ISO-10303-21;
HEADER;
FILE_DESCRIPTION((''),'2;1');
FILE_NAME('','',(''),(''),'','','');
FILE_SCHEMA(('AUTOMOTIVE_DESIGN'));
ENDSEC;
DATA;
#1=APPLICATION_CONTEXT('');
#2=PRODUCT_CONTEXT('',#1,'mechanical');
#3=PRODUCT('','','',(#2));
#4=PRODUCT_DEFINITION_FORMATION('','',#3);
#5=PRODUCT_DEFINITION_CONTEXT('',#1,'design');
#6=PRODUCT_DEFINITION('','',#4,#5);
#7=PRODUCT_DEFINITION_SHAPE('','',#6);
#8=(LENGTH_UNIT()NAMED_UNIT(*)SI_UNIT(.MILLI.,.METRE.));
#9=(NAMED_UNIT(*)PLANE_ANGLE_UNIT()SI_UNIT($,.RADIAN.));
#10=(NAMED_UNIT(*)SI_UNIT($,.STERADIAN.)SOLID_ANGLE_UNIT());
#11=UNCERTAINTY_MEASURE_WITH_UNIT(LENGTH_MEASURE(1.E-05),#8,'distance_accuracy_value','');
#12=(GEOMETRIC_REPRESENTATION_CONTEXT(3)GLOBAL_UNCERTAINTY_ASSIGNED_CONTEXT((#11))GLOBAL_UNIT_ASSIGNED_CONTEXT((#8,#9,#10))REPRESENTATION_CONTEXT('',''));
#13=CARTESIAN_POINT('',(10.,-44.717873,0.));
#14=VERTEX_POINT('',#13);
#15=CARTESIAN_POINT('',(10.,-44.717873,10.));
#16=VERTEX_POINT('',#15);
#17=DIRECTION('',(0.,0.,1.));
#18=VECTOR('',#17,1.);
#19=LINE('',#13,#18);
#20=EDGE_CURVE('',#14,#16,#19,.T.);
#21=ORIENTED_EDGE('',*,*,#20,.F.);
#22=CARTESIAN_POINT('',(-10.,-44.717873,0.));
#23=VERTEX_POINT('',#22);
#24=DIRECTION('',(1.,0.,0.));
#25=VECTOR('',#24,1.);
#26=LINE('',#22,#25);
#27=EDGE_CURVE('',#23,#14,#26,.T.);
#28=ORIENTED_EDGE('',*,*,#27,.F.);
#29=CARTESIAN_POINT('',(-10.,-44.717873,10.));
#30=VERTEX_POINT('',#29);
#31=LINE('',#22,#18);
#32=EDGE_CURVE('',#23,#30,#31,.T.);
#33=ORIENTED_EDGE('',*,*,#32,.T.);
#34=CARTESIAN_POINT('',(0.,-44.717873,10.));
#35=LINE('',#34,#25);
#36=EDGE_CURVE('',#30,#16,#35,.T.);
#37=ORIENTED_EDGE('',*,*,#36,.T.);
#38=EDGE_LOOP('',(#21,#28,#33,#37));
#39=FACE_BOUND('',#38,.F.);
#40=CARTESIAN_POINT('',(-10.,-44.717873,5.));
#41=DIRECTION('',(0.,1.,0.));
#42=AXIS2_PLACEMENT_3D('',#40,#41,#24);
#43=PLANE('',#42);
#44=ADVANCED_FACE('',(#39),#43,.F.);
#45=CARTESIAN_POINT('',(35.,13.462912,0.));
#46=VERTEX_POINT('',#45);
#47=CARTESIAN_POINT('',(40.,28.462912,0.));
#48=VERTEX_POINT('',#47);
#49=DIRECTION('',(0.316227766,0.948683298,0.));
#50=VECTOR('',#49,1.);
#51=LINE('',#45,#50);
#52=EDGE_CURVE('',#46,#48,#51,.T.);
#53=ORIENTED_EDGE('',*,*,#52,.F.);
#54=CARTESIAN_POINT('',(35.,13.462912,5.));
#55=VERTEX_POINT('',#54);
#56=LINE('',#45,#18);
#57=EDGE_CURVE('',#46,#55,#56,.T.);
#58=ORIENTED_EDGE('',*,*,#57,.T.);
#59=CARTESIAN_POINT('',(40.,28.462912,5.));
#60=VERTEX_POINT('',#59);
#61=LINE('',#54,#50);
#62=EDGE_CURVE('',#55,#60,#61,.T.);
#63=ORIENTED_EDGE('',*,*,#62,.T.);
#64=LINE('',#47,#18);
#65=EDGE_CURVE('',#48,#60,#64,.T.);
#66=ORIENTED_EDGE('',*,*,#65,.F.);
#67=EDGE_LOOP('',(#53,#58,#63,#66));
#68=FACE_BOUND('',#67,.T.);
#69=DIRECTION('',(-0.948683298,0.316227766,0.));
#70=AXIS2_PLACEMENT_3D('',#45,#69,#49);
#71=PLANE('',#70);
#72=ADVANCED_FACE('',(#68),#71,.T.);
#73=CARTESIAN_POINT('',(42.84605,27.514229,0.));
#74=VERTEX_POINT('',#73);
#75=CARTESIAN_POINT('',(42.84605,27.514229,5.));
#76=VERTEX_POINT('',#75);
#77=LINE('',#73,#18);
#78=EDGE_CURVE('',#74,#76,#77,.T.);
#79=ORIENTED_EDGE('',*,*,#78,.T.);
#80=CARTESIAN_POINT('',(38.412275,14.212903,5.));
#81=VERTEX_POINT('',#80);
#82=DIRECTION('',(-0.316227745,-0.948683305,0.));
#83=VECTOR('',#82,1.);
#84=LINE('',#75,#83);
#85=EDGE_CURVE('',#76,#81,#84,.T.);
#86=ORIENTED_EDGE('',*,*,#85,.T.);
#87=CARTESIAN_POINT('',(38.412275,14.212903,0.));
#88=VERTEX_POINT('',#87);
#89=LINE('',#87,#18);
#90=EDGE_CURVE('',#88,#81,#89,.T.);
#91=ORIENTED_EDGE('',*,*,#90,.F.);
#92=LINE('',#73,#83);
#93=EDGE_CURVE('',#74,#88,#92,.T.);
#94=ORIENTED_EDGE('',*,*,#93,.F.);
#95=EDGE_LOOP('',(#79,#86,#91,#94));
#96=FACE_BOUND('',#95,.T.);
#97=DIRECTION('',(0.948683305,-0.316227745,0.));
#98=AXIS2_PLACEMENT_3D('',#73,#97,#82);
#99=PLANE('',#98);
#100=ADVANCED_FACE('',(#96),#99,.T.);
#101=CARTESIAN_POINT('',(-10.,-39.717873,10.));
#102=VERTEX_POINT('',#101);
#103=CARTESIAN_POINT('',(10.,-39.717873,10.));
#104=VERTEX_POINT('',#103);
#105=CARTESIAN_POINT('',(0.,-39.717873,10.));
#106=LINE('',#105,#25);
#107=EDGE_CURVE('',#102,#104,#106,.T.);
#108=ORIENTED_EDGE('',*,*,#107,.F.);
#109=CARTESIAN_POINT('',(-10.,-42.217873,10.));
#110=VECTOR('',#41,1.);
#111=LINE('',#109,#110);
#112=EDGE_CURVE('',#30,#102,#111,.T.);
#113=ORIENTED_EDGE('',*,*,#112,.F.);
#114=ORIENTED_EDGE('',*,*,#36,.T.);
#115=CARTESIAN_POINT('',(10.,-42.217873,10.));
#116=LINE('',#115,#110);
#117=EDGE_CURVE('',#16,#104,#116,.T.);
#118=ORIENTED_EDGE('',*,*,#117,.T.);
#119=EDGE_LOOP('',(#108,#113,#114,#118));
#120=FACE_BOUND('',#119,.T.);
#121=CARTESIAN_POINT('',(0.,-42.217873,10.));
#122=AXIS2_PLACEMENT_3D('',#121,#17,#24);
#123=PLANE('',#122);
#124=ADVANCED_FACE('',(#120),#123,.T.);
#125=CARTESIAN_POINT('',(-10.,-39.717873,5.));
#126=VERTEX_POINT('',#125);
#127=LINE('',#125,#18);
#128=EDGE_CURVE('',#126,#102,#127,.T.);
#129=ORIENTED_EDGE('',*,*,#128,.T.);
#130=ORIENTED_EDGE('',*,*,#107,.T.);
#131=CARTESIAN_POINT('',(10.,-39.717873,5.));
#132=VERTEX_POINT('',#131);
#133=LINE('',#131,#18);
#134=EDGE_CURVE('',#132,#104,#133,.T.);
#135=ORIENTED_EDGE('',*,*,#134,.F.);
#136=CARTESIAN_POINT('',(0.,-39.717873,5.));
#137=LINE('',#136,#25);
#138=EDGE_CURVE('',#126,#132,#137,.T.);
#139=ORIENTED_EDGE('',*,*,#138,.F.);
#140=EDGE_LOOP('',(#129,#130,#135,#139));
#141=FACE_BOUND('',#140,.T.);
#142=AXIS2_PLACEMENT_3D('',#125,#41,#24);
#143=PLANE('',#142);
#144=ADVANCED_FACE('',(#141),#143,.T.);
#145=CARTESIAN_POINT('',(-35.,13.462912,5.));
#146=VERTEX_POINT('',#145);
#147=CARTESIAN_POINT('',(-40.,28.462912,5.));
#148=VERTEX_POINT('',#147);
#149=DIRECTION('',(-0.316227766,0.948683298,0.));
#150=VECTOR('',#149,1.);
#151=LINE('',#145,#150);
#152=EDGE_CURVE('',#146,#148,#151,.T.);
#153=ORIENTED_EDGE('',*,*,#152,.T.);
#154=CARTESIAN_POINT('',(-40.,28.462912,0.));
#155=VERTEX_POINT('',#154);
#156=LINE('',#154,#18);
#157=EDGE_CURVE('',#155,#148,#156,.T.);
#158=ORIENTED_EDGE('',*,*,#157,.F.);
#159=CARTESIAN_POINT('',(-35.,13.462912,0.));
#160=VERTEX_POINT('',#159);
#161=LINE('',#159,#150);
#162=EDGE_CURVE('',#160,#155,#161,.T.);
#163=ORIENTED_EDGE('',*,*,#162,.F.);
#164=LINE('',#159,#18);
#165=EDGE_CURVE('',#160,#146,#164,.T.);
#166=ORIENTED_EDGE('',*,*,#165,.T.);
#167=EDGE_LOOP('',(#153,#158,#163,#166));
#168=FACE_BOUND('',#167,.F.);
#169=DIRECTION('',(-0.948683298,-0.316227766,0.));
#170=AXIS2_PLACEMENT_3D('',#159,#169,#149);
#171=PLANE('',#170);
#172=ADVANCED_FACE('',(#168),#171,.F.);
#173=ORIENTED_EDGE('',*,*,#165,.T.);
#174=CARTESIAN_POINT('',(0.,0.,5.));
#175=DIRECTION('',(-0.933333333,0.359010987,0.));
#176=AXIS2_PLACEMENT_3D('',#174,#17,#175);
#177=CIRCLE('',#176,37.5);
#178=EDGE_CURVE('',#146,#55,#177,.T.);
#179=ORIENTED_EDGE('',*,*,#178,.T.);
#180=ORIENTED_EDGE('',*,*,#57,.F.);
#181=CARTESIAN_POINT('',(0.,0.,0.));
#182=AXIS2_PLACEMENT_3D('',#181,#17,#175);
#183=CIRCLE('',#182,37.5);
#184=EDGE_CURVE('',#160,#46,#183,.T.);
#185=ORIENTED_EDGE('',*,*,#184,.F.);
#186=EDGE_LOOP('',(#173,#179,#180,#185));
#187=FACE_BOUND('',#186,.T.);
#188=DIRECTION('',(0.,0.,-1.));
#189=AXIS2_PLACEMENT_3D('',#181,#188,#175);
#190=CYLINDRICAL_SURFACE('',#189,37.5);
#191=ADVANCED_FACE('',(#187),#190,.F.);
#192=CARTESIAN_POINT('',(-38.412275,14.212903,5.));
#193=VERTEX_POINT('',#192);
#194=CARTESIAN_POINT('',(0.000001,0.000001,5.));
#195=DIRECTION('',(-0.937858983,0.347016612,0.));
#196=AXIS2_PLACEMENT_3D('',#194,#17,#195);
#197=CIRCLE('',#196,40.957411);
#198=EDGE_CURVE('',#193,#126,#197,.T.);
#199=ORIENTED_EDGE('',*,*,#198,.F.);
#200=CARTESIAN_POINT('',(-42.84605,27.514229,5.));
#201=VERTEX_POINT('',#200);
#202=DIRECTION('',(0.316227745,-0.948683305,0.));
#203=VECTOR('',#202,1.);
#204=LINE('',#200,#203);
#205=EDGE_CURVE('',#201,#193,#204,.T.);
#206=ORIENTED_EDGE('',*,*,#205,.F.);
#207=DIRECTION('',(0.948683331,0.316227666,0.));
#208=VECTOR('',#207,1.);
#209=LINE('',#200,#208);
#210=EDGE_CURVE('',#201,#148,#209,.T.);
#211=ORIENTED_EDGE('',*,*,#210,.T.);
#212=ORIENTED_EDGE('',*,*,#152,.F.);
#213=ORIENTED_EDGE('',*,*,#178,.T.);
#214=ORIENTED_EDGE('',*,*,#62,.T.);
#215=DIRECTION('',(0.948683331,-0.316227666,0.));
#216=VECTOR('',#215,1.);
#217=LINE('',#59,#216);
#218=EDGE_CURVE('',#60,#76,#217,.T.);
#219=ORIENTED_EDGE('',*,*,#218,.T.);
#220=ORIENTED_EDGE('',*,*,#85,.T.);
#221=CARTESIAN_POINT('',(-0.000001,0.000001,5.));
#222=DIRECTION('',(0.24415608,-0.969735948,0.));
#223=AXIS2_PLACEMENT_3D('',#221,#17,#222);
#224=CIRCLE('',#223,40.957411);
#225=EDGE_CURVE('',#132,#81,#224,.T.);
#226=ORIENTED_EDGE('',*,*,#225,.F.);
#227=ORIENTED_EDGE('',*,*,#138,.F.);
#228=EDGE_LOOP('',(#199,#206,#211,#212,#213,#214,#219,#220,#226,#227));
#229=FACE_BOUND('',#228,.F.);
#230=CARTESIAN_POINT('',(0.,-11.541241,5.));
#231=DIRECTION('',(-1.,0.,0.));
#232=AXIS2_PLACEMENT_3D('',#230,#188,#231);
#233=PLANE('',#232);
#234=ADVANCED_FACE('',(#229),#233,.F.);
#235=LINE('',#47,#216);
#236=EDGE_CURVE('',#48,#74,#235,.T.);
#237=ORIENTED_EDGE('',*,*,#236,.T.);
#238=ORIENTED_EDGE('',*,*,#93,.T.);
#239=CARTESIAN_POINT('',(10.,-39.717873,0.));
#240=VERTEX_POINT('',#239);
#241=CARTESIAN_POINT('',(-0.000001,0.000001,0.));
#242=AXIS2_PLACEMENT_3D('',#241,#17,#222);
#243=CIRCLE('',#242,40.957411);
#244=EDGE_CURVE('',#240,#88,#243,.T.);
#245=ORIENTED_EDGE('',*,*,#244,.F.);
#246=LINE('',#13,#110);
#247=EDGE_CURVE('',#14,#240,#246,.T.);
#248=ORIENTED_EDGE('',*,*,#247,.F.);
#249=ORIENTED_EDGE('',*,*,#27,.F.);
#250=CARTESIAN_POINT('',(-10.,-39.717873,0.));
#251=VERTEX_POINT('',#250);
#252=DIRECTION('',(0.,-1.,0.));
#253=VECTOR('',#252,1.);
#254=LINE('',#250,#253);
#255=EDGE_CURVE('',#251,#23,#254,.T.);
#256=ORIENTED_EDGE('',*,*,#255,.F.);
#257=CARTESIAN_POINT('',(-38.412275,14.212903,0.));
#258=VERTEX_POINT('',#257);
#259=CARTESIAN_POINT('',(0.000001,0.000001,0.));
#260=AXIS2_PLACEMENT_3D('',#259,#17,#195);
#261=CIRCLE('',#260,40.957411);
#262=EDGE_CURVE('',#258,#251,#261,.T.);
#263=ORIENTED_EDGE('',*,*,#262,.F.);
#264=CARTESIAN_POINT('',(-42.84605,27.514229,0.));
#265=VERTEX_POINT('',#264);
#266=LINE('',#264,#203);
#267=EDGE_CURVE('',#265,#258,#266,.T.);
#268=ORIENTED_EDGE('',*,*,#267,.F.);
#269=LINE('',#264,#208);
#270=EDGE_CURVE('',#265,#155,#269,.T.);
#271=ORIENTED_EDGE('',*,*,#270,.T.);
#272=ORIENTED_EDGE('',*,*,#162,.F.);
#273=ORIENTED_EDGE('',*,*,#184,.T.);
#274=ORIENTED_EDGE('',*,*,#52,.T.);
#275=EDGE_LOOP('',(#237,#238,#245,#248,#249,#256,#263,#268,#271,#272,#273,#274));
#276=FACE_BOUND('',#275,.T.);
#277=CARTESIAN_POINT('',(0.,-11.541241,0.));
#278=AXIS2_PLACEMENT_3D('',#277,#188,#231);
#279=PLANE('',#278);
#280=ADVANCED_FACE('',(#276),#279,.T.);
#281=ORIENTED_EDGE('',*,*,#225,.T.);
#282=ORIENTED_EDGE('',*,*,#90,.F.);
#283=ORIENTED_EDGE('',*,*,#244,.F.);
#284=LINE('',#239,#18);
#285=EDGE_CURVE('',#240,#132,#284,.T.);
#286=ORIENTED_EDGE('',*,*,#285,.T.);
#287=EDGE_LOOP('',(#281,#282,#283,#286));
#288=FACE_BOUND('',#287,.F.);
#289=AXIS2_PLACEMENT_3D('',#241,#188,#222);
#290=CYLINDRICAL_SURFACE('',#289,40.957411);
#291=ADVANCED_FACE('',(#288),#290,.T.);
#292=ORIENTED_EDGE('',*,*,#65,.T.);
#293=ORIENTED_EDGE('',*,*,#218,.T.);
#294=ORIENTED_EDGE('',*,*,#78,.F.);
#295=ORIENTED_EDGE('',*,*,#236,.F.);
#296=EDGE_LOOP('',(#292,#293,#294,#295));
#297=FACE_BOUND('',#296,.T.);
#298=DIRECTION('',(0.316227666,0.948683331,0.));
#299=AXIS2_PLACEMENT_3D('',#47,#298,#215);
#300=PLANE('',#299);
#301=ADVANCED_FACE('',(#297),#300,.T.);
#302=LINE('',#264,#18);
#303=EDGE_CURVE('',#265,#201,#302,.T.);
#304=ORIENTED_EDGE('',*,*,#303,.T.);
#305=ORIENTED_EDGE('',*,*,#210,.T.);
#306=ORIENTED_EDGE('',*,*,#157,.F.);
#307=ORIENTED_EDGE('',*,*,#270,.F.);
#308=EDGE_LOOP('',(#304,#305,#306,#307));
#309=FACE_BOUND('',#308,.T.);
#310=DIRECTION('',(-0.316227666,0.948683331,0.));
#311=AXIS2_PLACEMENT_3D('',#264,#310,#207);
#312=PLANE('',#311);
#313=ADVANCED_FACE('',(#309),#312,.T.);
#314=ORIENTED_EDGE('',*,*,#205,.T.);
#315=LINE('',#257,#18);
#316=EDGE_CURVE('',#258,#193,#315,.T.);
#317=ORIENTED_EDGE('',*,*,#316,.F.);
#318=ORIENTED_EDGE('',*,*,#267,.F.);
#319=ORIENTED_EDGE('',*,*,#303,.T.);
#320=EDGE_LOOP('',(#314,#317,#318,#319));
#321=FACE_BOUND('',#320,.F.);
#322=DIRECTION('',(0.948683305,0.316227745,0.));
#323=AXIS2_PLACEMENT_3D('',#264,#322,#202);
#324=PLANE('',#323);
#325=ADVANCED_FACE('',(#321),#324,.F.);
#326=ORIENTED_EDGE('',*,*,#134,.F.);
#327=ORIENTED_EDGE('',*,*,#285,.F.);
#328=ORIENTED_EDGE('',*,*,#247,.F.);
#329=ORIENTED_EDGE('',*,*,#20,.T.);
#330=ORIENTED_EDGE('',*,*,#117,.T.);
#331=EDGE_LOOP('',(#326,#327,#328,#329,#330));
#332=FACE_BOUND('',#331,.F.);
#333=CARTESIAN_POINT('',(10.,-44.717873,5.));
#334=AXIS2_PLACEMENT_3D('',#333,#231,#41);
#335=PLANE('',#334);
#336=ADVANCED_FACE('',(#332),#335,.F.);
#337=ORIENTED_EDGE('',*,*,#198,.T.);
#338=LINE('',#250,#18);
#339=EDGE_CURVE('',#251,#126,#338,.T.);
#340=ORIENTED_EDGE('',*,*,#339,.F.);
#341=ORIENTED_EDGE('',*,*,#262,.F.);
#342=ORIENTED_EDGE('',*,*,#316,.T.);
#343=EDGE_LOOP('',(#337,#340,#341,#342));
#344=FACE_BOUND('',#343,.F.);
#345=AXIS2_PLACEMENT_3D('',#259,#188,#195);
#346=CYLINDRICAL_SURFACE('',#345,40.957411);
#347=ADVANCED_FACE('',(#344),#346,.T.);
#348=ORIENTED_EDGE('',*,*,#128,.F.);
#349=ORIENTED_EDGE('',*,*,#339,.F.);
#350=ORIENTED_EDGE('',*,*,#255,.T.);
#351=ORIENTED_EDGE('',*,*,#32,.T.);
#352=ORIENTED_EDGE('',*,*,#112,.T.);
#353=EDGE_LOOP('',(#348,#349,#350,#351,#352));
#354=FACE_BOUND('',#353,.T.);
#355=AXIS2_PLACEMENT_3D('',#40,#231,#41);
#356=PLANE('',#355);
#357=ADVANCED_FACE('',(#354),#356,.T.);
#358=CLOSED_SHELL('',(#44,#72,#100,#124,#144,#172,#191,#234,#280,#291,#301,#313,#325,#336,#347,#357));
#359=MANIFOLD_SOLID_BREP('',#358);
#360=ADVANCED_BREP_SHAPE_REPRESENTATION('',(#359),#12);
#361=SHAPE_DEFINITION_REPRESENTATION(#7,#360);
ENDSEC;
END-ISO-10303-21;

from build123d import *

# Parameters (mm, degrees)
PAD_DEPTH    = 5
SKETCH001_W  = 20
SKETCH001_H  = 5
PAD001_DEPTH = 5


with BuildPart() as part:
    # Sketch → Pad (new body)
    with BuildSketch(Plane.XY):
        with BuildLine():
            ThreePointArc((-35, 13.462912), (0, -37.5), (35, 13.462912))
            Line((35, 13.462912), (40, 28.462912))
            Line((40, 28.462912), (42.84605, 27.514229))
            Line((42.84605, 27.514229), (38.412275, 14.212903))
            ThreePointArc((10, -39.717873), (36.236297, -19.090317), (38.412275, 14.212903))
            Line((10, -44.717873), (10, -39.717873))
            Line((-10, -44.717873), (10, -44.717873))
            Line((-10, -39.717873), (-10, -44.717873))
            ThreePointArc((-38.412275, 14.212903), (-36.236297, -19.090317), (-10, -39.717873))
            Line((-42.84605, 27.514229), (-38.412275, 14.212903))
            Line((-42.84605, 27.514229), (-40, 28.462912))
            Line((-35, 13.462912), (-40, 28.462912))
        make_face()
    extrude(amount=PAD_DEPTH)

    # Sketch001 (on Face14 of Pad) → Pad001 (join)
    with BuildSketch(Plane.XY.offset(5)):
        with Locations((0, -42.217873)):
            Rectangle(SKETCH001_W, SKETCH001_H)
    extrude(amount=PAD001_DEPTH)


solid = part.part
